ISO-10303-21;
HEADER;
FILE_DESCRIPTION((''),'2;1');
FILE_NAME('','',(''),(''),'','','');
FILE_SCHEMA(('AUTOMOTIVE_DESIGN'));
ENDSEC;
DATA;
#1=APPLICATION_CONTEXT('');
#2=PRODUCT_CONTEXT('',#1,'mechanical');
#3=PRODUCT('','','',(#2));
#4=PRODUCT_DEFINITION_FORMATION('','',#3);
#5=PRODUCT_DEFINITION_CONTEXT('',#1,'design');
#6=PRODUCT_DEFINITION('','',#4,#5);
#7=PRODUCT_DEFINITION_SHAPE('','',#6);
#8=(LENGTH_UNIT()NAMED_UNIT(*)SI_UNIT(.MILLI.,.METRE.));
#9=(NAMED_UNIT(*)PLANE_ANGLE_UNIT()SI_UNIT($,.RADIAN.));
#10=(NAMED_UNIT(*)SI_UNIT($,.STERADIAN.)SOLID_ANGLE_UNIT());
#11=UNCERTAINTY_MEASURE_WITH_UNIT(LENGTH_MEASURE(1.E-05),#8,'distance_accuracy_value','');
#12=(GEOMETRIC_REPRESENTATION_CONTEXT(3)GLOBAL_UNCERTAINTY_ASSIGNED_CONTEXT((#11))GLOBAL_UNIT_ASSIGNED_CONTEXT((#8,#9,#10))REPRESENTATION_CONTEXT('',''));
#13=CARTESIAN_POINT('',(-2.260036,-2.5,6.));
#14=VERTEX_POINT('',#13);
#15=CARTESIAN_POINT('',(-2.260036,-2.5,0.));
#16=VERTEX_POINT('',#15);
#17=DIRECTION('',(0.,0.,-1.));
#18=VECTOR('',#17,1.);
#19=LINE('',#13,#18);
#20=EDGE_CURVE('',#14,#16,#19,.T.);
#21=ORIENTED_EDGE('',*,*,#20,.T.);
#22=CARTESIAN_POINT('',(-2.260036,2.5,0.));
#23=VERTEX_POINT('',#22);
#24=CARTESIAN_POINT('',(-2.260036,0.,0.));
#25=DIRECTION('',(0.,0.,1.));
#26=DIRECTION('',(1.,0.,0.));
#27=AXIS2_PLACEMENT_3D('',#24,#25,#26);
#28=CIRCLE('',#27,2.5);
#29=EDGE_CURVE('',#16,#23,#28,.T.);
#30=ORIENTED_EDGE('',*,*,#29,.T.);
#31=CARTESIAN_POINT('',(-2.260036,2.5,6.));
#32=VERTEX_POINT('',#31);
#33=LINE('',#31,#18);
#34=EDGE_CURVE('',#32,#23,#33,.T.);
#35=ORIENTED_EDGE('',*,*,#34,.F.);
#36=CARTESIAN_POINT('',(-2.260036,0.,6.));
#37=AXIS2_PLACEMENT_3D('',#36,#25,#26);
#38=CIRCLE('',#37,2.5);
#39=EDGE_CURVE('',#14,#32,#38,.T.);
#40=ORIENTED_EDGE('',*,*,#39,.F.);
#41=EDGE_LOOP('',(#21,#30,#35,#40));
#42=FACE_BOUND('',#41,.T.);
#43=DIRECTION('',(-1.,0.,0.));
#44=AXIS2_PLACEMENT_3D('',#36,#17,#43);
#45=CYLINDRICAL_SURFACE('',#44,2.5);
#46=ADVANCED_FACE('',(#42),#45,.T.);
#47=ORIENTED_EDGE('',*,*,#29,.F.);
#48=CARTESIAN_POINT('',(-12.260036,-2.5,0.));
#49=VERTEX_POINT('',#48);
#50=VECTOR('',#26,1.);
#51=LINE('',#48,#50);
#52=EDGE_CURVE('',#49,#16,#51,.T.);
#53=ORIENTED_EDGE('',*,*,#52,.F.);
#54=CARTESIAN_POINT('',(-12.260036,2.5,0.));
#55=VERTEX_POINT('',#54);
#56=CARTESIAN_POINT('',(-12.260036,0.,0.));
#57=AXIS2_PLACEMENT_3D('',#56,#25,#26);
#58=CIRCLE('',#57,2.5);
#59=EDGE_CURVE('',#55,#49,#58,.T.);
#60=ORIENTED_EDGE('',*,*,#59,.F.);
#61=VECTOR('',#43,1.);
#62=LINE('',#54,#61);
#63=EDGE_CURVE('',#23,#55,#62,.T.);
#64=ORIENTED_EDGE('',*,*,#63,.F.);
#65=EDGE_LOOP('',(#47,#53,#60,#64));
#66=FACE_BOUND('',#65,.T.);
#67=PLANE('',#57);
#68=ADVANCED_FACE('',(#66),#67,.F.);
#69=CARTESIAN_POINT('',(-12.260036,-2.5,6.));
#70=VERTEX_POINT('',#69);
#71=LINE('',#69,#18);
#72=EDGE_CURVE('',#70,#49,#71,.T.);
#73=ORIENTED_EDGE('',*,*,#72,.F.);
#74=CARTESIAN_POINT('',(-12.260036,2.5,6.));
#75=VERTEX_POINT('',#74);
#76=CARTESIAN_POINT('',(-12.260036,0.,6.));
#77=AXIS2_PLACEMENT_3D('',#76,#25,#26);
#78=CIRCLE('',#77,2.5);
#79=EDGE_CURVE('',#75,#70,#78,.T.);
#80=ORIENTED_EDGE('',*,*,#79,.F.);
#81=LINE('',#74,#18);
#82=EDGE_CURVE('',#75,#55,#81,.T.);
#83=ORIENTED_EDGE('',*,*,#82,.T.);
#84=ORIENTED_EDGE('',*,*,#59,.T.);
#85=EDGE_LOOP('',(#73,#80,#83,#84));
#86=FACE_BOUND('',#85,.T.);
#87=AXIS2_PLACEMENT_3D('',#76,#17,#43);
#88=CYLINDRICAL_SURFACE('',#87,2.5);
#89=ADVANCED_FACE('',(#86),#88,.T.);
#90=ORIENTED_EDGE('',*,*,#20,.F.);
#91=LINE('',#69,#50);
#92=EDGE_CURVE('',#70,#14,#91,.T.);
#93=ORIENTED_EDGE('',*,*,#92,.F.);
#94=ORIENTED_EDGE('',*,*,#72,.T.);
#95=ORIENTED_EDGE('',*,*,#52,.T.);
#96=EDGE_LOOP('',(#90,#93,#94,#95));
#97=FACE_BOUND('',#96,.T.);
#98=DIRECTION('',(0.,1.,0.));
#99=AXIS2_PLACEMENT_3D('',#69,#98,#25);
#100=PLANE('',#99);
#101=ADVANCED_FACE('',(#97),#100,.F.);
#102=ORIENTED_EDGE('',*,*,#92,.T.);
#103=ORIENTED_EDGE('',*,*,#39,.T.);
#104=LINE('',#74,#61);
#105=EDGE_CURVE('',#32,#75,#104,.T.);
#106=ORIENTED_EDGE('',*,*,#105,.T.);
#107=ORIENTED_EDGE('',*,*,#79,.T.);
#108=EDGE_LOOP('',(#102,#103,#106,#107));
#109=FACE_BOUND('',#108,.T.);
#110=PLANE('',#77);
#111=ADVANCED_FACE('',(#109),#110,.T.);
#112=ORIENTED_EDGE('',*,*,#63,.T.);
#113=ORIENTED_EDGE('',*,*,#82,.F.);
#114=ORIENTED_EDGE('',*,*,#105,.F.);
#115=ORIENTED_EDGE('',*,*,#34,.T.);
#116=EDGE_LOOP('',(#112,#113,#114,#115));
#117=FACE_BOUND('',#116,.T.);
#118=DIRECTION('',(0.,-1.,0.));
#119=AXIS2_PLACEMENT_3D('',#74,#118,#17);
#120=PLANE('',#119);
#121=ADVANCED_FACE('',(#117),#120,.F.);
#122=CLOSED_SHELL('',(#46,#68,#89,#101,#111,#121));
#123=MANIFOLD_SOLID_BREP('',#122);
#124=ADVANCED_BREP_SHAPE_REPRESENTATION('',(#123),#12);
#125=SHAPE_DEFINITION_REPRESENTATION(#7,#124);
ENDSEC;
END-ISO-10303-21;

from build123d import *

# Parameters (mm, degrees)
EXTRUDE_1_DEPTH = 6


with BuildPart() as part:
    # 草图1 → 凸台-拉伸1 (new body)
    with BuildSketch(Plane.XY):
        with BuildLine():
            Line((-12.260035714, 2.5), (-2.260035714, 2.5))
            ThreePointArc((-2.260035714, 2.5), (0.239964286, 0), (-2.260035714, -2.5))
            Line((-2.260035714, -2.5), (-12.260035714, -2.5))
            ThreePointArc((-12.260035714, -2.5), (-14.760035714, 0), (-12.260035714, 2.5))
        make_face()
    extrude(amount=EXTRUDE_1_DEPTH)


solid = part.part
